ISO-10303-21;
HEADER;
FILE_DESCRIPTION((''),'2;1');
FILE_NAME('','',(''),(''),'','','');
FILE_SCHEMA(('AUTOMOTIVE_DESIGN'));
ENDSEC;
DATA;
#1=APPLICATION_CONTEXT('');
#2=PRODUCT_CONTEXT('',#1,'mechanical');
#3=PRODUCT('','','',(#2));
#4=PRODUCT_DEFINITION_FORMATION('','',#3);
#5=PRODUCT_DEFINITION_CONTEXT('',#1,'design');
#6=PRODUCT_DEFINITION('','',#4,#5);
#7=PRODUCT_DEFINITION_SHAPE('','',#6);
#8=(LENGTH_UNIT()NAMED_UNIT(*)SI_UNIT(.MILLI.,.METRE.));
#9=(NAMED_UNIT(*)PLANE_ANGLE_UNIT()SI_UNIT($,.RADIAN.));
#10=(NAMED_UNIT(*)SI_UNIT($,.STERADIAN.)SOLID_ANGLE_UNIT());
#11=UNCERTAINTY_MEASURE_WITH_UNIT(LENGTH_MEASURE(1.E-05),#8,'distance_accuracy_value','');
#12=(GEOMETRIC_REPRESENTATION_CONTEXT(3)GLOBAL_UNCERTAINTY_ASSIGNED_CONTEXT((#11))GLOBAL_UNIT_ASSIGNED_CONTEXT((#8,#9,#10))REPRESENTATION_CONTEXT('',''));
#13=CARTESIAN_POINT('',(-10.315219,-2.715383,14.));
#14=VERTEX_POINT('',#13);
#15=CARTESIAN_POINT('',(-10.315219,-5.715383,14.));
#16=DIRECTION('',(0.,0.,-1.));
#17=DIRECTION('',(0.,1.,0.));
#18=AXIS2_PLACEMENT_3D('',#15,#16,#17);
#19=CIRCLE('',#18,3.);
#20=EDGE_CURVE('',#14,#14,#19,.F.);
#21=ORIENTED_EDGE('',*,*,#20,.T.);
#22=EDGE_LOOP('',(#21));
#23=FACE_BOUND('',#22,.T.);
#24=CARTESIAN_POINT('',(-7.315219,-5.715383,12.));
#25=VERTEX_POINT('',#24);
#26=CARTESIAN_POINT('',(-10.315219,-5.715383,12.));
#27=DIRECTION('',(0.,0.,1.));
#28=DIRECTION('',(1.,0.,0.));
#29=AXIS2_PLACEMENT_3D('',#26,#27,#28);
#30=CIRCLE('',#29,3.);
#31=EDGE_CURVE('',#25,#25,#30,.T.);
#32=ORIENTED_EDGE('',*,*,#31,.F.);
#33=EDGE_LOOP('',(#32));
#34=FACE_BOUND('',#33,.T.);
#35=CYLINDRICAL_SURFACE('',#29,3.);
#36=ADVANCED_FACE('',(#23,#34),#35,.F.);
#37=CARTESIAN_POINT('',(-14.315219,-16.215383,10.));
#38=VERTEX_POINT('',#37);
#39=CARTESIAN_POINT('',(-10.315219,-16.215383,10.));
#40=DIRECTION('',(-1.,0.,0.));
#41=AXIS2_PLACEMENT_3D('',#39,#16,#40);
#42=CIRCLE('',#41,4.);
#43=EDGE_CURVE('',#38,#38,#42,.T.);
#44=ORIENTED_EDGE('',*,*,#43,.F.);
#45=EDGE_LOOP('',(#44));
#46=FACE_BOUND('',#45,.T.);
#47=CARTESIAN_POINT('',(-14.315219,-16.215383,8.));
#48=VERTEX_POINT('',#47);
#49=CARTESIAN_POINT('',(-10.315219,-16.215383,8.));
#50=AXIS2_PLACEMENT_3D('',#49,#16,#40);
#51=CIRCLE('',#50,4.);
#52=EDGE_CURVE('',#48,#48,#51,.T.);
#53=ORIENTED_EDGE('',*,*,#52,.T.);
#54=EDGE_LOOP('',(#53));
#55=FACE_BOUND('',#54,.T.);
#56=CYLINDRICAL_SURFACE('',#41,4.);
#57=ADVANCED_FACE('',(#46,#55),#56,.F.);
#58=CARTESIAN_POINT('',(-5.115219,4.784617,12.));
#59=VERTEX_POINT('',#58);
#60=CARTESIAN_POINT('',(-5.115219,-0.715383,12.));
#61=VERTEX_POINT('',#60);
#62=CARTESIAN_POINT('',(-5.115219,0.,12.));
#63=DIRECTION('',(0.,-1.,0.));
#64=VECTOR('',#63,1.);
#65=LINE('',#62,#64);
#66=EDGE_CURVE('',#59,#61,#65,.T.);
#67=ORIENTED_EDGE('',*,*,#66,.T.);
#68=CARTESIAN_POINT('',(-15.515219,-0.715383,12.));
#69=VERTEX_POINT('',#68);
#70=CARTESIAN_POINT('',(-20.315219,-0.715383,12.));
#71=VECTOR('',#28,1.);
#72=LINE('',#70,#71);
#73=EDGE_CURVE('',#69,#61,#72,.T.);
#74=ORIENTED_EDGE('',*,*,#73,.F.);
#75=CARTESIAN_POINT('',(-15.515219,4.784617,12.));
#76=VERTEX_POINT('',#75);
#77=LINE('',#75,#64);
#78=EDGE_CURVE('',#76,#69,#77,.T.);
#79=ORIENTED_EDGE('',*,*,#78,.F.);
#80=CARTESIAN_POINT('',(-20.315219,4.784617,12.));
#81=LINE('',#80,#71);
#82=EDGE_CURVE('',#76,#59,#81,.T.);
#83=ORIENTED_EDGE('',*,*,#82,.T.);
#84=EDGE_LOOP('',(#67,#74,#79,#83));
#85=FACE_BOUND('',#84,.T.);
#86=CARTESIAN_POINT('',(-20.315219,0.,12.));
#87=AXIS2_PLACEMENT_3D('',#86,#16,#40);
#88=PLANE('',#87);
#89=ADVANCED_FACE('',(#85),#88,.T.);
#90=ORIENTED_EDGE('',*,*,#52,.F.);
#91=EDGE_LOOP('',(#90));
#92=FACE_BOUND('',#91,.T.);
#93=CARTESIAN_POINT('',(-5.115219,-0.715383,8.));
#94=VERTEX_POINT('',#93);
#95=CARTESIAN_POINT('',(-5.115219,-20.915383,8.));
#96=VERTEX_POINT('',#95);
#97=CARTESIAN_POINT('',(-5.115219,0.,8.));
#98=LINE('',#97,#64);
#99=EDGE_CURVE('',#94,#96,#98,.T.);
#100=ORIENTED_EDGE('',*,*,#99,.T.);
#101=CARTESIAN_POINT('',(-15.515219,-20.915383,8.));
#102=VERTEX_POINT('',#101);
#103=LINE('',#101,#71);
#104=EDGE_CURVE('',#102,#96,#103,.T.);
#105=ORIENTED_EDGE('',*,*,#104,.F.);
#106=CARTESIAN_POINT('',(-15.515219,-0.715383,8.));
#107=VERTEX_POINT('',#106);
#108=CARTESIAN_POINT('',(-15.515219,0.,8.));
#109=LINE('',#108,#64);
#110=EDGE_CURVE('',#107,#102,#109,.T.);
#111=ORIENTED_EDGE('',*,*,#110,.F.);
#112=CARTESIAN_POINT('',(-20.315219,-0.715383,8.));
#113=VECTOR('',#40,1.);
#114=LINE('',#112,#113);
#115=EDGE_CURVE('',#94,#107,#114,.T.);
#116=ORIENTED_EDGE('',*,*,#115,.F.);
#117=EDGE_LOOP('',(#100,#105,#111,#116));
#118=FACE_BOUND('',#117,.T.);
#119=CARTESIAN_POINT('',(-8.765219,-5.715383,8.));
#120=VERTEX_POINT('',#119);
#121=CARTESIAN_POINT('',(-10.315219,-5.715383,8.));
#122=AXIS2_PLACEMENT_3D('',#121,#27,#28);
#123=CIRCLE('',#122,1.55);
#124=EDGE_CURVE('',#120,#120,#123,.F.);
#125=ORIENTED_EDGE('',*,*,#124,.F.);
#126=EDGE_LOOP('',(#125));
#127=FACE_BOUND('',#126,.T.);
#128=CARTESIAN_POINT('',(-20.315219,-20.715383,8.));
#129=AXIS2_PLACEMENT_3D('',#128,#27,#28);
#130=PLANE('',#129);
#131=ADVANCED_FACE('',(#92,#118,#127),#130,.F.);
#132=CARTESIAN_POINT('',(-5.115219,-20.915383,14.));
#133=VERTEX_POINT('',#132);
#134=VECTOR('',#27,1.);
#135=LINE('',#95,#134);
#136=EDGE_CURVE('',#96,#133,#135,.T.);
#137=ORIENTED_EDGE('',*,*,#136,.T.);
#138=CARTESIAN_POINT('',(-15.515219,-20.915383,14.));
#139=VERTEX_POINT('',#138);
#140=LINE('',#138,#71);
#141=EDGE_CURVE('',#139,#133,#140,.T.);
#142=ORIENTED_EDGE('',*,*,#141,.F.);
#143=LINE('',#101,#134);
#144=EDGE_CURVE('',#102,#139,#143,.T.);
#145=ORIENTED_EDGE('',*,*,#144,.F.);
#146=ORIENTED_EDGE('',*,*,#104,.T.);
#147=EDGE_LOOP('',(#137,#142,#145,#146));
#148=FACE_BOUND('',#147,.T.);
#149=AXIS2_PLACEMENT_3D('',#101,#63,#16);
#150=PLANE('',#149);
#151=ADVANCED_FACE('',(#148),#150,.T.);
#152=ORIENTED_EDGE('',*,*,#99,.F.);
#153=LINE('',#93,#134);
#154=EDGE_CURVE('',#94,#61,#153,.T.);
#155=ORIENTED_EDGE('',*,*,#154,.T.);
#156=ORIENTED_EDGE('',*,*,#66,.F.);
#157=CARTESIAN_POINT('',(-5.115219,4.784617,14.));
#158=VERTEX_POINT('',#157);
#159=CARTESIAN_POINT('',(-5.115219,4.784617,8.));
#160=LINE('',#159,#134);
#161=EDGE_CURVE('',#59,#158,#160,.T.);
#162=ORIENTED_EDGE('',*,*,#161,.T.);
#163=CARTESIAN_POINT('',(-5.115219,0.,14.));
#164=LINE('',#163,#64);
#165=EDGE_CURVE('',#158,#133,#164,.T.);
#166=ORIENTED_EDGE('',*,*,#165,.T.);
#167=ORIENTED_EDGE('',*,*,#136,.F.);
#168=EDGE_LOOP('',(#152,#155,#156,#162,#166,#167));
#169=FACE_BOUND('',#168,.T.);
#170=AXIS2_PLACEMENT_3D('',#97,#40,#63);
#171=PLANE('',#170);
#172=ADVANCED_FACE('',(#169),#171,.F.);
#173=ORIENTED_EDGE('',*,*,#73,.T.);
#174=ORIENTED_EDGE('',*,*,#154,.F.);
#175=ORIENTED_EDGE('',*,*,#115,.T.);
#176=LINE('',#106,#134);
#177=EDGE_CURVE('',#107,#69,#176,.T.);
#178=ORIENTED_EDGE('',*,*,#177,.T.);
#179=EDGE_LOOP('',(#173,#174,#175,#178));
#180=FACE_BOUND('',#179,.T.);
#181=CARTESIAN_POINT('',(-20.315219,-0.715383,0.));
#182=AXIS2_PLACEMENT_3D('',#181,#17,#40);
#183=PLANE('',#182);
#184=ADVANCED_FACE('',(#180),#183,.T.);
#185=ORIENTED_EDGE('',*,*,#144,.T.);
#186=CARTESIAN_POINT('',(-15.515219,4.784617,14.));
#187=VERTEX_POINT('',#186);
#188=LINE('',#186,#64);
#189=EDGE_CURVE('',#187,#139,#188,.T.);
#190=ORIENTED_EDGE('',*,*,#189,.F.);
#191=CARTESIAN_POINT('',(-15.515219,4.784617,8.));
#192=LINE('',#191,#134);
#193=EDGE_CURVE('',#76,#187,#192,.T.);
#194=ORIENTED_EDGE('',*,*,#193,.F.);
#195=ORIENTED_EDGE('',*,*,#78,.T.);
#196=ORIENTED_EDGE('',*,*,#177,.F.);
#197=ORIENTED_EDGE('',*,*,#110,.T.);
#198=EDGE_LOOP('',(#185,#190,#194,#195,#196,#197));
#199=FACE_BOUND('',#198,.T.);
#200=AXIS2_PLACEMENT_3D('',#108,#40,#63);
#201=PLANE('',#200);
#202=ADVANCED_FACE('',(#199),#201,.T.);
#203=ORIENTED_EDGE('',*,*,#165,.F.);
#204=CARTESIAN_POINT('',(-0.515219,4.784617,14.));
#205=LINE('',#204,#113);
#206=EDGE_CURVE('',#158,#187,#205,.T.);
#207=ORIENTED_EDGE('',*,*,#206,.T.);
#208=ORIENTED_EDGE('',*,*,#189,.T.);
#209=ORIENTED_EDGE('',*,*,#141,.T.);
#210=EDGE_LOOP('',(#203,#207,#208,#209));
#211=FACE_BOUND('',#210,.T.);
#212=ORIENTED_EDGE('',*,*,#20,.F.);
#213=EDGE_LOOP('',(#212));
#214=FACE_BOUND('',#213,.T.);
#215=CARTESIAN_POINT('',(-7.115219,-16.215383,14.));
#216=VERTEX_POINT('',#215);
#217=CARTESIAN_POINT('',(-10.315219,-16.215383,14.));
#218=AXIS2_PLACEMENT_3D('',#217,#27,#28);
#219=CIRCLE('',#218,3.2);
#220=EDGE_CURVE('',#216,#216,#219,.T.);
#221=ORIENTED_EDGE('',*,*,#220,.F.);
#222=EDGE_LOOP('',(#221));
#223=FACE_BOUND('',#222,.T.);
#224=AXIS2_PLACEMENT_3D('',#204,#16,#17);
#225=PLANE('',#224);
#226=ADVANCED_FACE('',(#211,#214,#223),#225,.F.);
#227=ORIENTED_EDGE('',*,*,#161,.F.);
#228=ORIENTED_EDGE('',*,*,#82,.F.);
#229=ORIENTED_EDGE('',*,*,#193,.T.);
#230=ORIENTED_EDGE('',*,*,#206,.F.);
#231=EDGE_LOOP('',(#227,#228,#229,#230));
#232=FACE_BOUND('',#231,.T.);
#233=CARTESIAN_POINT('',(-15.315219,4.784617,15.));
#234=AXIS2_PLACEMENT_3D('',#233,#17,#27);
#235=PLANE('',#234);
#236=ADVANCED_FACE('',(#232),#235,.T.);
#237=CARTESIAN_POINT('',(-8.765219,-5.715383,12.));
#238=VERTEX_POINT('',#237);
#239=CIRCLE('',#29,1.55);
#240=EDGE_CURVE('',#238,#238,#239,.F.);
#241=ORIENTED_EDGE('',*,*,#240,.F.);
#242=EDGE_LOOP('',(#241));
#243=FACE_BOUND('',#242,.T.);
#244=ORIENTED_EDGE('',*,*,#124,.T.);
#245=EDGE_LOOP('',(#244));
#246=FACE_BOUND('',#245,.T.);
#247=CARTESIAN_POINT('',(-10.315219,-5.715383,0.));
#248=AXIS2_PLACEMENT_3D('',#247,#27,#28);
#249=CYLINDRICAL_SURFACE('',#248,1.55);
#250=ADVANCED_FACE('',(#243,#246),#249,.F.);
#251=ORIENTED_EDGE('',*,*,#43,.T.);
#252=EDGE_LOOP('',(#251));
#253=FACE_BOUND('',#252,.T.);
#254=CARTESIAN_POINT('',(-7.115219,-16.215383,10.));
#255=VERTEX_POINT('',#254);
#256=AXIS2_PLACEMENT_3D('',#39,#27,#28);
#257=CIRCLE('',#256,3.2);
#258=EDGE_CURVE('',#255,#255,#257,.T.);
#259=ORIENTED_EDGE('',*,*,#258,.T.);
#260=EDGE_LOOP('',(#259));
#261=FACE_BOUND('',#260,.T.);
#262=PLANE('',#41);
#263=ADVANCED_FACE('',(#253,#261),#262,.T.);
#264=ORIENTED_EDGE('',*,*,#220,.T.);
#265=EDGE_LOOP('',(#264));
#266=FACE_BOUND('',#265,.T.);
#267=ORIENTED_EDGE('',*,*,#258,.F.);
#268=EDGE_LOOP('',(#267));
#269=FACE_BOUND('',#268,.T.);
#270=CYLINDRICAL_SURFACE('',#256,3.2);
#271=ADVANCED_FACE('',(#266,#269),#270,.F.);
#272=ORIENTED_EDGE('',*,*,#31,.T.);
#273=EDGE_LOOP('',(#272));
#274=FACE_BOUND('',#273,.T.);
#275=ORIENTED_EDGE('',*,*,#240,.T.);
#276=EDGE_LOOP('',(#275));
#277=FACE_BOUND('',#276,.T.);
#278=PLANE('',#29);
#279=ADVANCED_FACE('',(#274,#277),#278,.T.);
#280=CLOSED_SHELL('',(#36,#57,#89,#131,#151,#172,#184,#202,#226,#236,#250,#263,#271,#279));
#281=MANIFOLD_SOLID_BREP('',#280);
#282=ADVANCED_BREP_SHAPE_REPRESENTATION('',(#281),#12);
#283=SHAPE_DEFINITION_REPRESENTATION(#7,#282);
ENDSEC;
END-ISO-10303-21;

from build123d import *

# Parameters (mm, degrees)
SKETCH_1_W          = 10
SKETCH_1_H          = 25.5
EXTRUDE_1_DEPTH     = 15
SKETCH_2_R          = 1.55
CUT_EXTRUDE_1_DEPTH = 15
SKETCH_3_R          = 3
CUT_EXTRUDE_2_DEPTH = 3
SKETCH_4_R          = 3.5
CUT_EXTRUDE_3_DEPTH = 15
SKETCH_5_W          = 8
SKETCH_5_H          = 25.5
CUT_EXTRUDE_4_DEPTH = 15
SKETCH_6_R          = 4
CUT_EXTRUDE_5_DEPTH = 2
SKETCH_7_W          = 4
SKETCH_7_H          = 5.5
CUT_EXTRUDE_6_DEPTH = 15
SKETCH_8_W          = 0.2
SKETCH_8_H          = 25.5
SKETCH_8_W_2        = 10.4
SKETCH_8_H_2        = 0.2
EXTRUDE_2_DEPTH     = 7
SKETCH_9_W          = 4
SKETCH_9_H          = 5.5
CUT_EXTRUDE_7_DEPTH = 20
SKETCH_10_W         = 1
SKETCH_10_H         = 25.7
CUT_EXTRUDE_9_DEPTH = 15
SKETCH_12_R         = 3.5
SKETCH_12_R_2       = 3.2
EXTRUDE_4_DEPTH     = 4


with BuildPart() as part:
    # 草图1 → 凸台-拉伸1 (new body)
    with BuildSketch(Plane.XY):
        with Locations((-10.315219411, -7.965383481)):
            Rectangle(SKETCH_1_W, SKETCH_1_H)
    extrude(amount=EXTRUDE_1_DEPTH)

    # 草图2 → 切除-拉伸1 (cut)
    with BuildSketch(Plane.XY.offset(15)):
        with Locations((-10.315219411, -5.715383481)):
            Circle(SKETCH_2_R)
    extrude(amount=-CUT_EXTRUDE_1_DEPTH, mode=Mode.SUBTRACT)

    # 草图3 → 切除-拉伸2 (cut)
    with BuildSketch(Plane.XY.offset(15)):
        with Locations((-10.315219411, -5.715383481)):
            Circle(SKETCH_3_R)
    extrude(amount=-CUT_EXTRUDE_2_DEPTH, mode=Mode.SUBTRACT)

    # 草图4 → 切除-拉伸3 (cut)
    with BuildSketch(Plane.XY.offset(15)):
        with Locations((-10.315219411, -16.215383481)):
            Circle(SKETCH_4_R)
    extrude(amount=-CUT_EXTRUDE_3_DEPTH, mode=Mode.SUBTRACT)

    # 草图5 → 切除-拉伸4 (cut)
    with BuildSketch(Plane(origin=(-5.315219411, 0, 0), x_dir=(0, 0, -1), z_dir=(1, 0, 0))):
        with Locations((-4, -7.965383481)):
            Rectangle(SKETCH_5_W, SKETCH_5_H)
    extrude(amount=-CUT_EXTRUDE_4_DEPTH, mode=Mode.SUBTRACT)

    # 草图6 → 切除-拉伸5 (cut)
    with BuildSketch(Plane(origin=(0, 0, 8), x_dir=(-1, 0, 0), z_dir=(0, 0, -1))):
        with Locations((10.315219411, -16.215383481)):
            Circle(SKETCH_6_R)
    extrude(amount=-CUT_EXTRUDE_5_DEPTH, mode=Mode.SUBTRACT)

    # 草图7 → 切除-拉伸6 (cut)
    with BuildSketch(Plane(origin=(-5.315219411, 0, 0), x_dir=(0, 0, -1), z_dir=(1, 0, 0))):
        with Locations((-10, 2.034616519)):
            Rectangle(SKETCH_7_W, SKETCH_7_H)
    extrude(amount=-CUT_EXTRUDE_6_DEPTH, mode=Mode.SUBTRACT)

    # 草图8 → 凸台-拉伸2 (add)
    with BuildSketch(Plane.XY.offset(15)):
        with Locations((-15.415219411, -7.965383481)):
            Rectangle(SKETCH_8_W, SKETCH_8_H)
        with Locations((-5.215219411, -7.965383481)):
            Rectangle(SKETCH_8_W, SKETCH_8_H)
        with Locations((-10.315219411, -20.815383481)):
            Rectangle(SKETCH_8_W_2, SKETCH_8_H_2)
    extrude(amount=-EXTRUDE_2_DEPTH)

    # 草图9 → 切除-拉伸7 (cut)
    with BuildSketch(Plane.ZY.offset(15.515219411)):
        with Locations((10, 2.034616519)):
            Rectangle(SKETCH_9_W, SKETCH_9_H)
    extrude(amount=-CUT_EXTRUDE_7_DEPTH, mode=Mode.SUBTRACT)

    # 草图10 → 切除-拉伸9 (cut)
    with BuildSketch(Plane.ZY.offset(15.515219411)):
        with Locations((14.5, -8.065383481)):
            Rectangle(SKETCH_10_W, SKETCH_10_H)
    extrude(amount=-CUT_EXTRUDE_9_DEPTH, mode=Mode.SUBTRACT)

    # 草图12 → 凸台-拉伸4 (add)
    with BuildSketch(Plane.XY.offset(14)):
        with Locations((-10.315219411, -16.215383481)):
            Circle(SKETCH_12_R)
        with Locations((-10.315219411, -16.215383481)):
            Circle(SKETCH_12_R_2, mode=Mode.SUBTRACT)
    extrude(amount=-EXTRUDE_4_DEPTH)


solid = part.part
